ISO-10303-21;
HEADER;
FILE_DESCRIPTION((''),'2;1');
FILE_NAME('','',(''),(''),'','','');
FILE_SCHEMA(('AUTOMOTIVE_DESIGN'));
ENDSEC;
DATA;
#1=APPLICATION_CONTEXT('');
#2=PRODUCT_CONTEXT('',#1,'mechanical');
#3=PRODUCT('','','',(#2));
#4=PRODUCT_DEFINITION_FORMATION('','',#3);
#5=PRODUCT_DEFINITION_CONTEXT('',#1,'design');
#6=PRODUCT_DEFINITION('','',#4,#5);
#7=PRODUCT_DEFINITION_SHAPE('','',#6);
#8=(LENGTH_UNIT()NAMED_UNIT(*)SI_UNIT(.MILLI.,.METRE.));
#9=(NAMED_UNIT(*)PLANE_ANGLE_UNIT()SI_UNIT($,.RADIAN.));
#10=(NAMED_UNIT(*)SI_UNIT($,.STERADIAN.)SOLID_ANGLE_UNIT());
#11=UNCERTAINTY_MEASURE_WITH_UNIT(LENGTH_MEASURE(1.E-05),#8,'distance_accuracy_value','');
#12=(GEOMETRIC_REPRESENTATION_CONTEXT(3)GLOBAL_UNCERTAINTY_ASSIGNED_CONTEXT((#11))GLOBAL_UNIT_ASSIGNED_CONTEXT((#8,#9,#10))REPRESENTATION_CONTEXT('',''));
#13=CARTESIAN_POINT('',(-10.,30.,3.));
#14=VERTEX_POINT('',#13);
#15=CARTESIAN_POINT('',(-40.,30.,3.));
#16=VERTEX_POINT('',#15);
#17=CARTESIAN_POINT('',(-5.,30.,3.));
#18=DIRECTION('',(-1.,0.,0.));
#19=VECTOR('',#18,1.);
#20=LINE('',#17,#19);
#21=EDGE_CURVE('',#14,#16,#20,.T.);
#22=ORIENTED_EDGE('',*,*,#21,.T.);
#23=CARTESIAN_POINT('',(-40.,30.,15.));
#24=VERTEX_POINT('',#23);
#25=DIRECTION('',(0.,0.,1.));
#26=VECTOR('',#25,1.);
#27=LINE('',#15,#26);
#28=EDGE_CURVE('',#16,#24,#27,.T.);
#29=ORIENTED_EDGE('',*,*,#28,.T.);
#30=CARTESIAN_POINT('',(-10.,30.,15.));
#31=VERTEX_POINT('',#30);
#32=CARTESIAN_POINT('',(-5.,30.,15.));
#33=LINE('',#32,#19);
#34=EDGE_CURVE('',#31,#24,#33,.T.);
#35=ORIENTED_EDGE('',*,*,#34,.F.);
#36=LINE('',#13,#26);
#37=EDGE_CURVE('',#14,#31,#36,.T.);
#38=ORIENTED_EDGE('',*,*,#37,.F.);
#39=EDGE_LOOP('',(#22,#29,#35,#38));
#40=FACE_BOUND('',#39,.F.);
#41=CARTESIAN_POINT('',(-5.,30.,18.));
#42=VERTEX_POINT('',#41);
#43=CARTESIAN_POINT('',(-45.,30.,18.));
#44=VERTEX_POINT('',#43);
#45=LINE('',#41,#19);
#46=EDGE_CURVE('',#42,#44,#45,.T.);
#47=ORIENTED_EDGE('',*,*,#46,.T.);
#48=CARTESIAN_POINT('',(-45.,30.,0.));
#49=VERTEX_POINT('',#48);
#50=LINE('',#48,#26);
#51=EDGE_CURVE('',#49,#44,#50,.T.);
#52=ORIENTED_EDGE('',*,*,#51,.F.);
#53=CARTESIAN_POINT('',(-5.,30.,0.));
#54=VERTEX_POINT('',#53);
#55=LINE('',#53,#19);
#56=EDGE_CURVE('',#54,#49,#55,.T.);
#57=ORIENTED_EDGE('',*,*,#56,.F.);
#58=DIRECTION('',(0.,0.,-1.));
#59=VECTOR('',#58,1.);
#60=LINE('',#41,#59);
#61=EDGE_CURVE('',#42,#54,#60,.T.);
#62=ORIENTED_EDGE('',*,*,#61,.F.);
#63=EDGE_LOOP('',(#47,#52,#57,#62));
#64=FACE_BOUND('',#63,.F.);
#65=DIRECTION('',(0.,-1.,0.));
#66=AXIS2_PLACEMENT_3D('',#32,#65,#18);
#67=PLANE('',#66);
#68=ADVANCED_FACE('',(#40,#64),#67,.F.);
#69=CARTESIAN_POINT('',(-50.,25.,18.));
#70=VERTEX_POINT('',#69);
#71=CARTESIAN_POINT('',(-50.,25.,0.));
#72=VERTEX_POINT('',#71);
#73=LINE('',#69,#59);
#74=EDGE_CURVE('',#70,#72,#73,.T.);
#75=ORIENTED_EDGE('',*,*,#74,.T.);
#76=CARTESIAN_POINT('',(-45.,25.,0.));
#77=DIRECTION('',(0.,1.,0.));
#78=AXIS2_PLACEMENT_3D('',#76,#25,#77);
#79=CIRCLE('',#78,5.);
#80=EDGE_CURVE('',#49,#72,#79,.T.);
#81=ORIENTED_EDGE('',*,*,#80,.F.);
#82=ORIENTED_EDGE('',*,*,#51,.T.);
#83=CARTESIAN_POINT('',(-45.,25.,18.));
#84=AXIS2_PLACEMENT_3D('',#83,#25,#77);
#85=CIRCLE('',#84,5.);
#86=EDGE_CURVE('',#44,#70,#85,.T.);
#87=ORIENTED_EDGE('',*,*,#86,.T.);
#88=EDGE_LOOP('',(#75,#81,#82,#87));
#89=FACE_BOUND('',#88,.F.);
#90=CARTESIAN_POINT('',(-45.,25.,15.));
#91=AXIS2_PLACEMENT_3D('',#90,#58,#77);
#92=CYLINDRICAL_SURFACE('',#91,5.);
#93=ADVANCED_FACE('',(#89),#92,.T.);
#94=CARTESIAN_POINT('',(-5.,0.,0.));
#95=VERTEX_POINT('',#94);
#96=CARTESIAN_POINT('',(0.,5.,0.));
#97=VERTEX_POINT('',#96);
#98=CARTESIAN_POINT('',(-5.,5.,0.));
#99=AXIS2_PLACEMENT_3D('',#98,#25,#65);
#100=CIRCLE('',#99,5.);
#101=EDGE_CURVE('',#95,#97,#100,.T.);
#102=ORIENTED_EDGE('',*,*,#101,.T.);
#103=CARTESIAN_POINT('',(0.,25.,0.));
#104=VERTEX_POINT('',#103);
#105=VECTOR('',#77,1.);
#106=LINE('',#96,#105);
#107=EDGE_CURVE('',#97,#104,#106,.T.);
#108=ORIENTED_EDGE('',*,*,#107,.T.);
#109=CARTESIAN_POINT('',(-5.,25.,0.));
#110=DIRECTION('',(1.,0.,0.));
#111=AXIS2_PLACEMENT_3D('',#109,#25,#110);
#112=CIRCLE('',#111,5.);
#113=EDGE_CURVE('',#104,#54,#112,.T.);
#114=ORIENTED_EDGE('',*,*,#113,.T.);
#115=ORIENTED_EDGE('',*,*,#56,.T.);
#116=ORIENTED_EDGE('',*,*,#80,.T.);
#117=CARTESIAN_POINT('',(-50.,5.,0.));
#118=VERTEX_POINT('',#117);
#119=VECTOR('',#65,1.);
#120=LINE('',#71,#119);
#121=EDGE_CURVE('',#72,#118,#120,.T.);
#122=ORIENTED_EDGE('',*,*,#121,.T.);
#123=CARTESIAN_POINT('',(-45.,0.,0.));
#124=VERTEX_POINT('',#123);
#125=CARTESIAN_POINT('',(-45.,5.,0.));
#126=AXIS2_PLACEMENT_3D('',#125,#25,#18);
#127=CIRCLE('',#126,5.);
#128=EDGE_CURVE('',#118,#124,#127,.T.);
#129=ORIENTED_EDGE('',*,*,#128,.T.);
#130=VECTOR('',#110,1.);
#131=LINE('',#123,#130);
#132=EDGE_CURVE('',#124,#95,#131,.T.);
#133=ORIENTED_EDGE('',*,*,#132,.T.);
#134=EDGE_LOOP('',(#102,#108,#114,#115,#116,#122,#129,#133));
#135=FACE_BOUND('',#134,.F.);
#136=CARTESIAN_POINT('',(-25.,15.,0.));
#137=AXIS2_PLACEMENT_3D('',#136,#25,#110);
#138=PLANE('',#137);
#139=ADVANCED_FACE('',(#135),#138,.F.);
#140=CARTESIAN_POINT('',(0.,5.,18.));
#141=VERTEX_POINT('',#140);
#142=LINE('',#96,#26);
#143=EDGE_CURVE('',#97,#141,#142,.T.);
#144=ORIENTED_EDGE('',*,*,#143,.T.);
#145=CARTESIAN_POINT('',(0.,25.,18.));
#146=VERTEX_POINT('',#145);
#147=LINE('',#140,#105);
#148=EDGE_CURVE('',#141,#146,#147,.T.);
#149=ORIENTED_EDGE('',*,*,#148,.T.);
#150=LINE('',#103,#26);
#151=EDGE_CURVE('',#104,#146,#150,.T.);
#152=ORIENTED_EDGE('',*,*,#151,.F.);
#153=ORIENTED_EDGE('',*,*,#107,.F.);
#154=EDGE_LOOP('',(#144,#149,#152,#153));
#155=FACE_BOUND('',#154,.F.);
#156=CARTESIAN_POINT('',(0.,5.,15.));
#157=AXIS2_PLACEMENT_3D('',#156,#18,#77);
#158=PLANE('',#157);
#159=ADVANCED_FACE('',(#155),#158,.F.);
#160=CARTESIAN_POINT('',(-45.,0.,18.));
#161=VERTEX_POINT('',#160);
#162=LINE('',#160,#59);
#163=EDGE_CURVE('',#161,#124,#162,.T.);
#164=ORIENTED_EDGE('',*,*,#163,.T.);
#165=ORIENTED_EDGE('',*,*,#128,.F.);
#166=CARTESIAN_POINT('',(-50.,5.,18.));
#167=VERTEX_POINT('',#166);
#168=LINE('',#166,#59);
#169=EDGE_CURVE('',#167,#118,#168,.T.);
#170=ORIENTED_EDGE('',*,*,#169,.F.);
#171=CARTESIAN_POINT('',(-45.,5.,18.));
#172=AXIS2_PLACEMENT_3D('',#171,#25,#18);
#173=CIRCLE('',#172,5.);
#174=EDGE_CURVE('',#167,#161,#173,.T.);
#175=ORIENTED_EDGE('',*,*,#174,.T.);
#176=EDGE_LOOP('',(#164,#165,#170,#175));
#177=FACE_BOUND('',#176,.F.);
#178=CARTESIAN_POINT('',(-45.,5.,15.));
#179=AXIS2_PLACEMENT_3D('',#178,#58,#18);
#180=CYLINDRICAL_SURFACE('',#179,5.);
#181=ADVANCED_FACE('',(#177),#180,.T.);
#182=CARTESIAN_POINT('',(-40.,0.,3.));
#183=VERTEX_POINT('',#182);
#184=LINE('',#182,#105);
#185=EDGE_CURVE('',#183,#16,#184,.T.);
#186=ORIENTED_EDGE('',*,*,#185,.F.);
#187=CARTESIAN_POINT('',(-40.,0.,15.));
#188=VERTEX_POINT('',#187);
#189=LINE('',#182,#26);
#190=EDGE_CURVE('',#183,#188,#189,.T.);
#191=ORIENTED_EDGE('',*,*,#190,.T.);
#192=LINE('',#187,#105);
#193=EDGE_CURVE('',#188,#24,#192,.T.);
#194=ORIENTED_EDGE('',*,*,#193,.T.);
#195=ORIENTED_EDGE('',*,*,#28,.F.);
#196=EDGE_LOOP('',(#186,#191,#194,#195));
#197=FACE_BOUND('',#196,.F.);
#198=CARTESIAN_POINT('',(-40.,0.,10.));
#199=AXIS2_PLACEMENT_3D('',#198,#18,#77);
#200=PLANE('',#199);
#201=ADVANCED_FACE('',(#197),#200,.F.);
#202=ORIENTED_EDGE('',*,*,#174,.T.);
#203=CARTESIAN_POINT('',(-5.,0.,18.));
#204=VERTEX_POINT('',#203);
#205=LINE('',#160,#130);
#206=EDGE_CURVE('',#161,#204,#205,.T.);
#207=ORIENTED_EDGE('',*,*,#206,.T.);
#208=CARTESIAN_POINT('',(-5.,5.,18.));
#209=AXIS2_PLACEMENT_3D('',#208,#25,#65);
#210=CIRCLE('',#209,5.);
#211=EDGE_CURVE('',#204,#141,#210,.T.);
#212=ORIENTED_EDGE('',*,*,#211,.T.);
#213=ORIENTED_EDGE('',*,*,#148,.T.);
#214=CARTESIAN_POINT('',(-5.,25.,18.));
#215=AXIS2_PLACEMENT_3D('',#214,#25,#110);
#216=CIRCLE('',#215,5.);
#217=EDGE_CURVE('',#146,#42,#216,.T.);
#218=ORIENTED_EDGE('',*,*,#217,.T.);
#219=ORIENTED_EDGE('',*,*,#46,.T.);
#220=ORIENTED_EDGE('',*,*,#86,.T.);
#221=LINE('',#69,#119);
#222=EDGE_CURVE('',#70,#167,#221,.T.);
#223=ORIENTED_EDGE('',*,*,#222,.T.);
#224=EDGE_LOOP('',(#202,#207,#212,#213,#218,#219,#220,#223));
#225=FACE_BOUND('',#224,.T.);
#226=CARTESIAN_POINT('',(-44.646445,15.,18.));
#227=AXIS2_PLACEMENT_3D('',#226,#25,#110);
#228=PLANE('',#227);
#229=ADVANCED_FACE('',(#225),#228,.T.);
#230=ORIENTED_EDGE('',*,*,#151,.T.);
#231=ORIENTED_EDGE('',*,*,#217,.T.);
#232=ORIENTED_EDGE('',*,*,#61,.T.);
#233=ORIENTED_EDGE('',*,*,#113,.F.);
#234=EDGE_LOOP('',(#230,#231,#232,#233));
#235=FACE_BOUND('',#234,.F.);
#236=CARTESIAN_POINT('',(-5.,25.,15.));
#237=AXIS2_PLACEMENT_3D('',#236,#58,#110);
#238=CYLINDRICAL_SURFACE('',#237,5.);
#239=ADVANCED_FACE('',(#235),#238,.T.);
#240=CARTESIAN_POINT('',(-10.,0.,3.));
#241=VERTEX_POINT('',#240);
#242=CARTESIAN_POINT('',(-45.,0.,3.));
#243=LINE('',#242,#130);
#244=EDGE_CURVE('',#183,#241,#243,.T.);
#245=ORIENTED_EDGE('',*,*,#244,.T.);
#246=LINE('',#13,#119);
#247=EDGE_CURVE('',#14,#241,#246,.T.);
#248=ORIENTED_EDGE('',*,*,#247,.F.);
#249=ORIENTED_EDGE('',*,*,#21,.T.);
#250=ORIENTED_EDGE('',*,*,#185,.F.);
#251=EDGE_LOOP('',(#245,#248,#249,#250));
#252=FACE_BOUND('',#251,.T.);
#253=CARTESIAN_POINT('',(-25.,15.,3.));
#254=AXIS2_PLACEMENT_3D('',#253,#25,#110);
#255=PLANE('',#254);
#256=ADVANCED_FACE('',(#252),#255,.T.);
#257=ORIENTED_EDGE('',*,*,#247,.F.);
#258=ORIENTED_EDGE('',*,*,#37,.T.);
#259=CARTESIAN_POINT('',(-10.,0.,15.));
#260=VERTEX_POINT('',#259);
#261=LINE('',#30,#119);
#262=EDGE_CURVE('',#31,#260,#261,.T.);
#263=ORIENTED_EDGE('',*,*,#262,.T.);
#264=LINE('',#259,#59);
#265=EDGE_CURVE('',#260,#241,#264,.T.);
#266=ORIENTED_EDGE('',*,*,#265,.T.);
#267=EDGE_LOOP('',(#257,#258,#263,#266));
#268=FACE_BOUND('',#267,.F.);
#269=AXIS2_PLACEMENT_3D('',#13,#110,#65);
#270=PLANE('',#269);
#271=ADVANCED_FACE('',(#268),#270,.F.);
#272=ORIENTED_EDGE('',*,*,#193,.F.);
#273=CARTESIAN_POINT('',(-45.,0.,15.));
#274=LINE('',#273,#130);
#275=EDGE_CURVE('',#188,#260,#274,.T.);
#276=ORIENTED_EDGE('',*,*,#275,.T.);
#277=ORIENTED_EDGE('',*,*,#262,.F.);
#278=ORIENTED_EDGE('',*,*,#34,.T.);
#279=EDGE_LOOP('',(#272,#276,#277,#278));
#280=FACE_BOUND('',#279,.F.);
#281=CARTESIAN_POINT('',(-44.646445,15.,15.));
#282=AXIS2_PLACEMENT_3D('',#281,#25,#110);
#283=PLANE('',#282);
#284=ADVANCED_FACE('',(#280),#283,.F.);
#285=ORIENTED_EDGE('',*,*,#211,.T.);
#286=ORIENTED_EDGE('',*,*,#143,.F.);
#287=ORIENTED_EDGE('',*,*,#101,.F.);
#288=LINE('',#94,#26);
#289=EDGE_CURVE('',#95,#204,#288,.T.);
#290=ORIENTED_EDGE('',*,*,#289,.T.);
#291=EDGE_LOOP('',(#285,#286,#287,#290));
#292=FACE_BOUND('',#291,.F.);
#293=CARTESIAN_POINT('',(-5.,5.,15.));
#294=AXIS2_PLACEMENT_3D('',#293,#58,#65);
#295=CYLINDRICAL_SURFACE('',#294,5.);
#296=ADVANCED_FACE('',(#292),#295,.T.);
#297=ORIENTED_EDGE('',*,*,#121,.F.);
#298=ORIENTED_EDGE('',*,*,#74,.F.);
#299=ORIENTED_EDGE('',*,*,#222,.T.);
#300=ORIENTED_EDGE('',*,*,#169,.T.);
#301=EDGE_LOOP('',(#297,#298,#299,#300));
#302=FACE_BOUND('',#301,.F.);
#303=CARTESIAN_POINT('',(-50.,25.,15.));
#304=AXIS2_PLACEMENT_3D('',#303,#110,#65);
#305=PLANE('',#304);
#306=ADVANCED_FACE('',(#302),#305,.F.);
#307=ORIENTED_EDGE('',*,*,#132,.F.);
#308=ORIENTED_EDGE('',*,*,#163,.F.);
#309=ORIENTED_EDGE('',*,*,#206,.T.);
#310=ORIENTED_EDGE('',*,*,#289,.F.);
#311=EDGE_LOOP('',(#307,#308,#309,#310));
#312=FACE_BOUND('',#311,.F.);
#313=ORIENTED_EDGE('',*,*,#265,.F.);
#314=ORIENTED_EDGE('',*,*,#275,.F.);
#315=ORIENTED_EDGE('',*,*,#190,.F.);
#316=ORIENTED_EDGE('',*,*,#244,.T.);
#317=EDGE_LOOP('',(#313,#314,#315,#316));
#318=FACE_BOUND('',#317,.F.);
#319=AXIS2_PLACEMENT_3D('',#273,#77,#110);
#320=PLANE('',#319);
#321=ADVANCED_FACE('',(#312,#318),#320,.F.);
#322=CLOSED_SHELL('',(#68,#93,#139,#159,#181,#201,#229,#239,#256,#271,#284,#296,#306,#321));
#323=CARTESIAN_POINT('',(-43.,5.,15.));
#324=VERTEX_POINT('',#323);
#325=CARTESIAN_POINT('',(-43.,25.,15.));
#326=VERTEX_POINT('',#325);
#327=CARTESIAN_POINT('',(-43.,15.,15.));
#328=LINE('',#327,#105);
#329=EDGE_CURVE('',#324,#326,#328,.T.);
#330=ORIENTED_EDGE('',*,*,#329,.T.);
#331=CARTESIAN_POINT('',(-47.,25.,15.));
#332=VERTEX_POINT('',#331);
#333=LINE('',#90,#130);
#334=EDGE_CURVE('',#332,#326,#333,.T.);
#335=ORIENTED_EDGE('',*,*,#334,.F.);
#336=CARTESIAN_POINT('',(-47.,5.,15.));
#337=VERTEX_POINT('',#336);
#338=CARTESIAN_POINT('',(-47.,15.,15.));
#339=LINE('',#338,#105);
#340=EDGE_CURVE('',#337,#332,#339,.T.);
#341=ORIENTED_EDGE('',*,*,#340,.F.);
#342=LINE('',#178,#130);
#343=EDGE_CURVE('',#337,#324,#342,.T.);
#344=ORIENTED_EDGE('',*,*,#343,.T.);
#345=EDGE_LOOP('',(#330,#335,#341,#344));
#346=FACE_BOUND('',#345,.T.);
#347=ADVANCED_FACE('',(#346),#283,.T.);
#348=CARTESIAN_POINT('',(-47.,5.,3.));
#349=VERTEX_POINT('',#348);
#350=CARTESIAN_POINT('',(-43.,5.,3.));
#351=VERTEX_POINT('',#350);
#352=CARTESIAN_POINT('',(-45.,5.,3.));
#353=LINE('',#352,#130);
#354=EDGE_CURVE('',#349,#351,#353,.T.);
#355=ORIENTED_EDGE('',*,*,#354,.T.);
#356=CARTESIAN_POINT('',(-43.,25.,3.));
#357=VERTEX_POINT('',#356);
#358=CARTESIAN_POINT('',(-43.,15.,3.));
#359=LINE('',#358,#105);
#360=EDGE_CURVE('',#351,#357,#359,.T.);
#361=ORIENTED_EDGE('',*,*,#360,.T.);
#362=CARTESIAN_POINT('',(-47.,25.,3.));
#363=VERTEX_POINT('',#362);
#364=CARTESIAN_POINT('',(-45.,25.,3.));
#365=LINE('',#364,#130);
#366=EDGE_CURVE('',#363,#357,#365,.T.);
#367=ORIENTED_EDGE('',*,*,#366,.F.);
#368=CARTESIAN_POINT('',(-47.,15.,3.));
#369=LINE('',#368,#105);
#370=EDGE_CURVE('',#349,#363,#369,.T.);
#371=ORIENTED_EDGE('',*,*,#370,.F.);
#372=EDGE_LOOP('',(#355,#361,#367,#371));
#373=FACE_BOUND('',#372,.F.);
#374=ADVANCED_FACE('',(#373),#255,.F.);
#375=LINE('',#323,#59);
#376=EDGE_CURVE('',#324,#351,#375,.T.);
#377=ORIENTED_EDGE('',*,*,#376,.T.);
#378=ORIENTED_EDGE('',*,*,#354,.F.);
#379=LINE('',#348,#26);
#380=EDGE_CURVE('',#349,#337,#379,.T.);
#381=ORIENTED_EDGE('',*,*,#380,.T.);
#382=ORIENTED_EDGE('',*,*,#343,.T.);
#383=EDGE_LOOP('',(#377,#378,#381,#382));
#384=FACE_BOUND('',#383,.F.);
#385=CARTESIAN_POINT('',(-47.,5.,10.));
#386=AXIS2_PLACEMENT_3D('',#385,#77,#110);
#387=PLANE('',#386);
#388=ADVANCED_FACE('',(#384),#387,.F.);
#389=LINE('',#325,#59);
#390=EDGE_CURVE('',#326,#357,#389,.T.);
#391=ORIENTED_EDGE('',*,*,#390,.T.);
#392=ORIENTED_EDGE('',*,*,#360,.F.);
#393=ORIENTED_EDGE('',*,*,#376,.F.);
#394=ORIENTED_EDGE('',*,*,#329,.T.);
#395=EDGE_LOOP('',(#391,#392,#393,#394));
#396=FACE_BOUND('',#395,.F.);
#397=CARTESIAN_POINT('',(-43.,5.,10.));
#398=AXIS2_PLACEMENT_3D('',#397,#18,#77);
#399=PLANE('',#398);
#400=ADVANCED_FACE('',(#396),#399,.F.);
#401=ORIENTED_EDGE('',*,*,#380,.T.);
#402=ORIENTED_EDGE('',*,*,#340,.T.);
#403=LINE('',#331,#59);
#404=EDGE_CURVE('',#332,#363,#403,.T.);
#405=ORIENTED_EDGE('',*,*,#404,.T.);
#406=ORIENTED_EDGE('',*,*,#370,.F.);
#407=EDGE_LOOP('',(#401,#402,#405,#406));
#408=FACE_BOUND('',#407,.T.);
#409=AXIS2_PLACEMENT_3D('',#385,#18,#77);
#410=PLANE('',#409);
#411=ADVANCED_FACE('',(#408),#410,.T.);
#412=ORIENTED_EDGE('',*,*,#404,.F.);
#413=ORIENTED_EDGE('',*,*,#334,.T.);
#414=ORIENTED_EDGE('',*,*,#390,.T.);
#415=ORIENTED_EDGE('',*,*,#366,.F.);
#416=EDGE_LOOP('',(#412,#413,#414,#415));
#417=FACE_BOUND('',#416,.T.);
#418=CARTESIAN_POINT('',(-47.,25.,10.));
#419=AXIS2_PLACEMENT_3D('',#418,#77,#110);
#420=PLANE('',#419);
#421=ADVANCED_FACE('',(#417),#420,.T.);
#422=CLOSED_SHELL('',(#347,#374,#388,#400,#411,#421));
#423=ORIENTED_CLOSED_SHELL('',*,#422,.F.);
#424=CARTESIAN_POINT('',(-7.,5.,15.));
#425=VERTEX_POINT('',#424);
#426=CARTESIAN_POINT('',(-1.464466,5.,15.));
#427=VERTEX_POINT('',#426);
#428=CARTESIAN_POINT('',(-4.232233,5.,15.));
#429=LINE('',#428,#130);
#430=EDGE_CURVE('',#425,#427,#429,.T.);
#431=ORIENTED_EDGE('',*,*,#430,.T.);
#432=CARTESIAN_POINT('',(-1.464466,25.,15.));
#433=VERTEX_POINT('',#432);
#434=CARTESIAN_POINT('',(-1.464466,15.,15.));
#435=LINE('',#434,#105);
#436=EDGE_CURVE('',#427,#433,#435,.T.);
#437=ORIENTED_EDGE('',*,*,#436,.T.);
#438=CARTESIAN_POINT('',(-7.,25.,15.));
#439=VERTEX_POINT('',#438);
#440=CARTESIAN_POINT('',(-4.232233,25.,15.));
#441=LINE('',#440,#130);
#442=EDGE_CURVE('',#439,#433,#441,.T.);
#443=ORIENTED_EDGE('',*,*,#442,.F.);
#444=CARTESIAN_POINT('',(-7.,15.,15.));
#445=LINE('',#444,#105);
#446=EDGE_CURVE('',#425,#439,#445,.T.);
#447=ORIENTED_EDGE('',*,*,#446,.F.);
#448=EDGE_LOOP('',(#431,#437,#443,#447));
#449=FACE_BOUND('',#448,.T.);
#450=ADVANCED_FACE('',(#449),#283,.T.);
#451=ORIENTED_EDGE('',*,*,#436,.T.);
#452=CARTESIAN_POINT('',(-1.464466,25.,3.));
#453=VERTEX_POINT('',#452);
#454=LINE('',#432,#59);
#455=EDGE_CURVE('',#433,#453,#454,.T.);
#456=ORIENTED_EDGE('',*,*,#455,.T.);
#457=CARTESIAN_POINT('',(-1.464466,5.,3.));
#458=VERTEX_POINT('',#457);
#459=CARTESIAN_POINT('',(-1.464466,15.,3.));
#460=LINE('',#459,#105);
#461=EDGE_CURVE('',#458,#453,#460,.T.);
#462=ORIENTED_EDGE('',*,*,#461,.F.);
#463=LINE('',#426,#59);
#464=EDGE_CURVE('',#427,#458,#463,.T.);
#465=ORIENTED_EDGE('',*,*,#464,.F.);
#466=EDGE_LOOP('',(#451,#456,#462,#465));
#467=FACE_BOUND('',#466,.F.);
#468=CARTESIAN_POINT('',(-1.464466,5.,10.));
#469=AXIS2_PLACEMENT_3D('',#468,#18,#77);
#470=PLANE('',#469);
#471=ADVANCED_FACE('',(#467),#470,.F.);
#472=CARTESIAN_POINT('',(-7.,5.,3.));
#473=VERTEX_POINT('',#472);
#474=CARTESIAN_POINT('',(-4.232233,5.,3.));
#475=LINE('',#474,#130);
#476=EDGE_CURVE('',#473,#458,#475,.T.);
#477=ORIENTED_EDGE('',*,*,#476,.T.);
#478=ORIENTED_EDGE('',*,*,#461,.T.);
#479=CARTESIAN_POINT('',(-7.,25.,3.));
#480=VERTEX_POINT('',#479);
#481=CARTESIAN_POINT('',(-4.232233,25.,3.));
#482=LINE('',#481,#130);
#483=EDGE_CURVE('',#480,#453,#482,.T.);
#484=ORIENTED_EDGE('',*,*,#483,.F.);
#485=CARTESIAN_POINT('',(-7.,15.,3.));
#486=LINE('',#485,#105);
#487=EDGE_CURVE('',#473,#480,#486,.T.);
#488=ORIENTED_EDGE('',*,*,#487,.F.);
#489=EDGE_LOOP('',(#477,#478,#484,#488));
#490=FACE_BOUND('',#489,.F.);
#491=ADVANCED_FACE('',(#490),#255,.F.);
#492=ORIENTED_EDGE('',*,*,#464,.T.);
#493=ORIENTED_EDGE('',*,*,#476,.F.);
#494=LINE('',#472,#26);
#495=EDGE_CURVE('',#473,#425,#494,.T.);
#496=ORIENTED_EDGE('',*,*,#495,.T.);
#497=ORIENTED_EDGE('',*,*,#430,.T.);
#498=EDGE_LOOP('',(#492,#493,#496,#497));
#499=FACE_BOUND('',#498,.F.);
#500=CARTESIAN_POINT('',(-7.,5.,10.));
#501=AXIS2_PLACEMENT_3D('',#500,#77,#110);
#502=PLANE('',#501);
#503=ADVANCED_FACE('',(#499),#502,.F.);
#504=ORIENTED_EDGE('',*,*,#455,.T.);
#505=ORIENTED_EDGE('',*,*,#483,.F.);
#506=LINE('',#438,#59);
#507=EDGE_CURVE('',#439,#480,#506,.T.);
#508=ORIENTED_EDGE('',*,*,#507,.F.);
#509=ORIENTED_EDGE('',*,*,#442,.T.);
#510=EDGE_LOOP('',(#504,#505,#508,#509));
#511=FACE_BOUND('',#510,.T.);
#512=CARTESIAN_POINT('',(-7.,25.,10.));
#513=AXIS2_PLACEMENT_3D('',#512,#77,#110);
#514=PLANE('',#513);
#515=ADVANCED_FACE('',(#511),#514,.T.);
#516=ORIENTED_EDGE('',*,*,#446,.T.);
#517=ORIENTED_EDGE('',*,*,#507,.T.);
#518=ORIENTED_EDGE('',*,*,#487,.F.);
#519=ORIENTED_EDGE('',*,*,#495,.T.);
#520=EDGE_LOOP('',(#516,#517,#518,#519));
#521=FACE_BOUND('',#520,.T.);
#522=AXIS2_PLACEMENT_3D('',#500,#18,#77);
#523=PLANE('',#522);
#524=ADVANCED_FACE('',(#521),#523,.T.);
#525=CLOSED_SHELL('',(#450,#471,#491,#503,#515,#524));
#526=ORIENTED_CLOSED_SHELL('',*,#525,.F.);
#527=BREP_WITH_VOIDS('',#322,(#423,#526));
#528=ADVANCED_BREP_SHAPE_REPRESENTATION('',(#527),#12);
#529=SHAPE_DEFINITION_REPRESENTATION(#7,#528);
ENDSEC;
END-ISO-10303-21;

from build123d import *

# Parameters (mm, degrees)
F1_DEPTH = 3
F2_W     = 4
F2_H     = 20
F2_W_2   = 5.5355339059
F3_DEPTH = 7
F4_DEPTH = 5
F5_W     = 4
F5_H     = 20
F6_DEPTH = 3


with BuildPart() as f1:
    # F0 (on Top) → F1 (new body)
    with BuildSketch(Plane.XY):
        with BuildLine():
            Line((-45, 0), (-5, 0))
            ThreePointArc((-5, 0), (-1.4644660941, 1.4644660941), (0, 5))
            Line((0, 5), (0, 25))
            ThreePointArc((0, 25), (-1.4644660941, 28.5355339059), (-5, 30))
            Line((-5, 30), (-45, 30))
            ThreePointArc((-45, 30), (-48.5355339059, 28.5355339059), (-50, 25))
            Line((-50, 25), (-50, 5))
            ThreePointArc((-50, 5), (-48.5355339059, 1.4644660941), (-45, 0))
        make_face()
    extrude(amount=F1_DEPTH)

    # F2 (on face) → F3 (join)
    with BuildSketch(Plane.XY.offset(3)):
        with BuildLine():
            Line((-45, 0), (-40, 0))
            Line((-40, 0), (-40, 30))
            Line((-40, 30), (-45, 30))
            ThreePointArc((-45, 30), (-48.5355339059, 28.5355339059), (-50, 25))
            Line((-50, 25), (-50, 5))
            ThreePointArc((-50, 5), (-48.5355339059, 1.4644660941), (-45, 0))
        make_face()
        with Locations((-45, 15)):
            Rectangle(F2_W, F2_H, mode=Mode.SUBTRACT)
        with BuildLine():
            Line((-10, 0), (-5, 0))
            ThreePointArc((-5, 0), (-1.4644660941, 1.4644660941), (0, 5))
            Line((0, 5), (0, 25))
            ThreePointArc((0, 25), (-1.4644660941, 28.5355339059), (-5, 30))
            Line((-5, 30), (-10, 30))
            Line((-10, 30), (-10, 0))
        make_face()
        with Locations((-4.232233047, 15)):
            Rectangle(F2_W_2, F2_H, mode=Mode.SUBTRACT)
    extrude(amount=F3_DEPTH)

    # F4 (add): faces of the model
    f4_faces = [f1.faces().sort_by_distance(p)[0] for p in [
        (-42.5, 0.316227766, 10),
        (-7.5, 0.316227766, 10),
    ]]
    extrude(f4_faces, amount=F4_DEPTH)

    # F5 (on face) → F6 (join)
    with BuildSketch(Plane.XY.offset(15)):
        with BuildLine():
            Line((-45, 0), (-40, 0))
            Line((-40, 0), (-40, 30))
            Line((-40, 30), (-45, 30))
            ThreePointArc((-45, 30), (-48.5355339059, 28.5355339059), (-50, 25))
            Line((-50, 25), (-50, 5))
            ThreePointArc((-50, 5), (-48.5355339059, 1.4644660941), (-45, 0))
        make_face()
        with Locations((-45, 15)):
            Rectangle(F5_W, F5_H, mode=Mode.SUBTRACT)
        with BuildLine():
            Line((-40, 0), (-5, 0))
            ThreePointArc((-5, 0), (-1.4644660941, 1.4644660941), (0, 5))
            Line((0, 5), (0, 25))
            ThreePointArc((0, 25), (-1.4644660941, 28.5355339059), (-5, 30))
            Line((-5, 30), (-40, 30))
            Line((-40, 30), (-40, 0))
        make_face()
        with Locations((-45, 15)):
            Rectangle(F5_W, F5_H)
    extrude(amount=F6_DEPTH)


solid = f1.part
